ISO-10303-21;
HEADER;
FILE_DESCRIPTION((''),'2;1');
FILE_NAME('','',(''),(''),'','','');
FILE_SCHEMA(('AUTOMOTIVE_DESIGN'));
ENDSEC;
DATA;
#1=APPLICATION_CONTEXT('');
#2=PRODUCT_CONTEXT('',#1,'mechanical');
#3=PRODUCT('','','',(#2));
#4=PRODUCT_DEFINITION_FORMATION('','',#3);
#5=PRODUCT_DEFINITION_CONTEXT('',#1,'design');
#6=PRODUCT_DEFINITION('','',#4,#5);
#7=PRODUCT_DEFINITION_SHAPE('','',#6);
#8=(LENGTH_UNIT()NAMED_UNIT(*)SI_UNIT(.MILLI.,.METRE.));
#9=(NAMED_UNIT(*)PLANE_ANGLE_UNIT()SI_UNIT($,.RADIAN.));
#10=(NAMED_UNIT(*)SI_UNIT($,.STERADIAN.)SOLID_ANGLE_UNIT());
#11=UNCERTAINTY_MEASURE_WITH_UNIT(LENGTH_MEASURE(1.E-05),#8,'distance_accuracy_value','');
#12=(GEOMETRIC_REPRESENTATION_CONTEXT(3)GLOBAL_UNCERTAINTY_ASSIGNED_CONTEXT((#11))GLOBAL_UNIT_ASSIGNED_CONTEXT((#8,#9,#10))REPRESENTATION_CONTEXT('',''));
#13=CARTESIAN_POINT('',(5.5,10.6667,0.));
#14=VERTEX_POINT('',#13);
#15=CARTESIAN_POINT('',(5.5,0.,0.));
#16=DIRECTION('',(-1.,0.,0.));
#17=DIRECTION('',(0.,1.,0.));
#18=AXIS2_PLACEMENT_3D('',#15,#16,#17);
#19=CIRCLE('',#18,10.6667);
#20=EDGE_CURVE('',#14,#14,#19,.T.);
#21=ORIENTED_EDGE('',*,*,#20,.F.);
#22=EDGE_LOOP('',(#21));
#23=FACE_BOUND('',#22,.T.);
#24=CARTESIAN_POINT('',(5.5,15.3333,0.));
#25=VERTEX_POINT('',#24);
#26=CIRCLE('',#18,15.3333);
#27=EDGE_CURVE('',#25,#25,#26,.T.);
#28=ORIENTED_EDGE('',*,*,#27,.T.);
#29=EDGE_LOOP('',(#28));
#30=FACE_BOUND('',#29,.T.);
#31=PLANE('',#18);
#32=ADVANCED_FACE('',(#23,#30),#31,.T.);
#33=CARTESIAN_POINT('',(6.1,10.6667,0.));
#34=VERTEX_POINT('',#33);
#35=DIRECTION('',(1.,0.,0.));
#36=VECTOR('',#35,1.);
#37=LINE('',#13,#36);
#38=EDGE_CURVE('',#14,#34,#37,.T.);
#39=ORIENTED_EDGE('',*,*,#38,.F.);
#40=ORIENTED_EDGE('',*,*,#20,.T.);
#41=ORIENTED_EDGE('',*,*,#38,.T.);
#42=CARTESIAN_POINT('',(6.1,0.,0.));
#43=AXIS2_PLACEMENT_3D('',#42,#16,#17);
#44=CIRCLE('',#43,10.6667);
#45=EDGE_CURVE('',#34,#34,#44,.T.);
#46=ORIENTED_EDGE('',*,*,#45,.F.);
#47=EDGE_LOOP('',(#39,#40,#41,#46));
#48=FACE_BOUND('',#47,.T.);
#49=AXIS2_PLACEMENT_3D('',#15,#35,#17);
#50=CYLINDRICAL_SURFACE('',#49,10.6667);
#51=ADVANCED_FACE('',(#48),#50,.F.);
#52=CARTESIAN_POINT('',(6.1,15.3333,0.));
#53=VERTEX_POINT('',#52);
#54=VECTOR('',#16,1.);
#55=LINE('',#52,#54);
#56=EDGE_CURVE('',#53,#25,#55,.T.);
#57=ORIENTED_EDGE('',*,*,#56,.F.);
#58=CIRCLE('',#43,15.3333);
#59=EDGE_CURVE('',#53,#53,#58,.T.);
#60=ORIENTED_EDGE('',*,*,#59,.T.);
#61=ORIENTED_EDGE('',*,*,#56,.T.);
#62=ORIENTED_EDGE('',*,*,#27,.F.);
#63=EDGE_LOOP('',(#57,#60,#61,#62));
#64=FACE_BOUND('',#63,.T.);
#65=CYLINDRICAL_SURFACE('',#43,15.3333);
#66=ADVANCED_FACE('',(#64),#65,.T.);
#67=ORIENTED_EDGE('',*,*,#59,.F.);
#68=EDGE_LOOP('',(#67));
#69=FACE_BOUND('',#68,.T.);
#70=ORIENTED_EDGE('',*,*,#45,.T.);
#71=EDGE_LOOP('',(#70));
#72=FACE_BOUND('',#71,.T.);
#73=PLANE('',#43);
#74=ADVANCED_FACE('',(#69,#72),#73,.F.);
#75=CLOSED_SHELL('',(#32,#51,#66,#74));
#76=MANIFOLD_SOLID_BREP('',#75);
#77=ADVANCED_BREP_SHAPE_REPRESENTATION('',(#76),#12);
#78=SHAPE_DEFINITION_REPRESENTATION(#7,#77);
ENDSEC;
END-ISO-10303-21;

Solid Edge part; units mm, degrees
sketch "Sketch1" plane through (0, 0, 0) normal (0, 0, 1) x (1, 0, 0)
  line L0 (5.5, 15.3333) -> (5.5, 10.6667)
  line L1 (5.5, 10.6667) -> (6.1, 10.6667)
  line L2 (6.1, 10.6667) -> (6.1, 15.3333)
  line L3 (6.1, 15.3333) -> (5.5, 15.3333)
revolve "RevolvedProtrusion1" add sketch "Sketch1" angle 360 about axis through (6.1, 0, 0) along (-1, 0, 0)
properties part number "UCP201 GB/T7810-1995_PART3"
